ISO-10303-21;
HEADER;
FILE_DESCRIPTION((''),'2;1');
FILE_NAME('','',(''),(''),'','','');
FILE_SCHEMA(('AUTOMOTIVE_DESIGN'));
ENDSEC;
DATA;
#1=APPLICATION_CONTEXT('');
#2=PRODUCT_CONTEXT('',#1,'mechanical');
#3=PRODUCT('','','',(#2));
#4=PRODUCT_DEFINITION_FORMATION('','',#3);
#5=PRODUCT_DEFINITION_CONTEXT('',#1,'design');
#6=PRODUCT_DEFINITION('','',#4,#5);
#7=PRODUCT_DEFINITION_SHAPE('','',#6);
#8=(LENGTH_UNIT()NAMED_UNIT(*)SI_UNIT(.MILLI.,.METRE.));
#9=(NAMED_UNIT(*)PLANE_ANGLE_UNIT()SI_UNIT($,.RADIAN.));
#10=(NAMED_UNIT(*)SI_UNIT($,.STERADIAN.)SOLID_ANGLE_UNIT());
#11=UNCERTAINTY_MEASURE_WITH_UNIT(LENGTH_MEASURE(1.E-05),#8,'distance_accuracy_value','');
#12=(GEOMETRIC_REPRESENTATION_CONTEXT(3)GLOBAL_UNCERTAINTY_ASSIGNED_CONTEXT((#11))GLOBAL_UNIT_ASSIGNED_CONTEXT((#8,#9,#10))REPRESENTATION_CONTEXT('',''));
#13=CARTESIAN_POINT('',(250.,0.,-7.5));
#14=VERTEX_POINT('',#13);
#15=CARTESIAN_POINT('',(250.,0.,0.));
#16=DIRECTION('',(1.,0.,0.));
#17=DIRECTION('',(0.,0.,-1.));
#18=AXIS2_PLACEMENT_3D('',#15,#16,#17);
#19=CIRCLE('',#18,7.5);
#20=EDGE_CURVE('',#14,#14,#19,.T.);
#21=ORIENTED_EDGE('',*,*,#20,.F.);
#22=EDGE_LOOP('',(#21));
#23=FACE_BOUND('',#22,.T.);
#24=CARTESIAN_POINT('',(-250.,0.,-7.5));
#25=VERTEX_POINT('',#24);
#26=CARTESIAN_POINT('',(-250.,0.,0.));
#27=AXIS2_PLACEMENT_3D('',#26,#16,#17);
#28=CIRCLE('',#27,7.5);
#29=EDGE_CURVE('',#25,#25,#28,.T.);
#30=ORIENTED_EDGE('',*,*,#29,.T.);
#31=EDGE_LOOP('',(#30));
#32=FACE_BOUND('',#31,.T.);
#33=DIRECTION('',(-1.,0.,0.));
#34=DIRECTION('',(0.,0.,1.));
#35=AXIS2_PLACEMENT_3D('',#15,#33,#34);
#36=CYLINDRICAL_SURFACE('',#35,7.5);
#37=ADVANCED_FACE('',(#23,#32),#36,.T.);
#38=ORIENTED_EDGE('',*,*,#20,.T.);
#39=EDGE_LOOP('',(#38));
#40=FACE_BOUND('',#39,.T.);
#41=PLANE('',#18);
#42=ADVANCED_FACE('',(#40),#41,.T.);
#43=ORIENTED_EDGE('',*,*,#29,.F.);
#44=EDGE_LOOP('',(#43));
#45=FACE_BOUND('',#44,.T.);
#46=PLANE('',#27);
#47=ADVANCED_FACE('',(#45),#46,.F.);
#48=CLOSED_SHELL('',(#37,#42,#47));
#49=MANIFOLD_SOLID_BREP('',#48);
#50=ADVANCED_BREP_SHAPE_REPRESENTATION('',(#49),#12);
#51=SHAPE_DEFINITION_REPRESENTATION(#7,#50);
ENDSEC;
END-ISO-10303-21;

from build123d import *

# Parameters (mm, degrees)
CROQUIS1_R              = 7.5
SALIENTE_EXTRUIR1_DEPTH = 250


with BuildPart() as part:
    # Croquis1 → Saliente-Extruir1 (new, symmetric)
    with BuildSketch(Plane(origin=(0, 0, 0), x_dir=(0, 0, -1), z_dir=(1, 0, 0))):
        Circle(CROQUIS1_R)
    extrude(amount=SALIENTE_EXTRUIR1_DEPTH, both=True)


solid = part.part
